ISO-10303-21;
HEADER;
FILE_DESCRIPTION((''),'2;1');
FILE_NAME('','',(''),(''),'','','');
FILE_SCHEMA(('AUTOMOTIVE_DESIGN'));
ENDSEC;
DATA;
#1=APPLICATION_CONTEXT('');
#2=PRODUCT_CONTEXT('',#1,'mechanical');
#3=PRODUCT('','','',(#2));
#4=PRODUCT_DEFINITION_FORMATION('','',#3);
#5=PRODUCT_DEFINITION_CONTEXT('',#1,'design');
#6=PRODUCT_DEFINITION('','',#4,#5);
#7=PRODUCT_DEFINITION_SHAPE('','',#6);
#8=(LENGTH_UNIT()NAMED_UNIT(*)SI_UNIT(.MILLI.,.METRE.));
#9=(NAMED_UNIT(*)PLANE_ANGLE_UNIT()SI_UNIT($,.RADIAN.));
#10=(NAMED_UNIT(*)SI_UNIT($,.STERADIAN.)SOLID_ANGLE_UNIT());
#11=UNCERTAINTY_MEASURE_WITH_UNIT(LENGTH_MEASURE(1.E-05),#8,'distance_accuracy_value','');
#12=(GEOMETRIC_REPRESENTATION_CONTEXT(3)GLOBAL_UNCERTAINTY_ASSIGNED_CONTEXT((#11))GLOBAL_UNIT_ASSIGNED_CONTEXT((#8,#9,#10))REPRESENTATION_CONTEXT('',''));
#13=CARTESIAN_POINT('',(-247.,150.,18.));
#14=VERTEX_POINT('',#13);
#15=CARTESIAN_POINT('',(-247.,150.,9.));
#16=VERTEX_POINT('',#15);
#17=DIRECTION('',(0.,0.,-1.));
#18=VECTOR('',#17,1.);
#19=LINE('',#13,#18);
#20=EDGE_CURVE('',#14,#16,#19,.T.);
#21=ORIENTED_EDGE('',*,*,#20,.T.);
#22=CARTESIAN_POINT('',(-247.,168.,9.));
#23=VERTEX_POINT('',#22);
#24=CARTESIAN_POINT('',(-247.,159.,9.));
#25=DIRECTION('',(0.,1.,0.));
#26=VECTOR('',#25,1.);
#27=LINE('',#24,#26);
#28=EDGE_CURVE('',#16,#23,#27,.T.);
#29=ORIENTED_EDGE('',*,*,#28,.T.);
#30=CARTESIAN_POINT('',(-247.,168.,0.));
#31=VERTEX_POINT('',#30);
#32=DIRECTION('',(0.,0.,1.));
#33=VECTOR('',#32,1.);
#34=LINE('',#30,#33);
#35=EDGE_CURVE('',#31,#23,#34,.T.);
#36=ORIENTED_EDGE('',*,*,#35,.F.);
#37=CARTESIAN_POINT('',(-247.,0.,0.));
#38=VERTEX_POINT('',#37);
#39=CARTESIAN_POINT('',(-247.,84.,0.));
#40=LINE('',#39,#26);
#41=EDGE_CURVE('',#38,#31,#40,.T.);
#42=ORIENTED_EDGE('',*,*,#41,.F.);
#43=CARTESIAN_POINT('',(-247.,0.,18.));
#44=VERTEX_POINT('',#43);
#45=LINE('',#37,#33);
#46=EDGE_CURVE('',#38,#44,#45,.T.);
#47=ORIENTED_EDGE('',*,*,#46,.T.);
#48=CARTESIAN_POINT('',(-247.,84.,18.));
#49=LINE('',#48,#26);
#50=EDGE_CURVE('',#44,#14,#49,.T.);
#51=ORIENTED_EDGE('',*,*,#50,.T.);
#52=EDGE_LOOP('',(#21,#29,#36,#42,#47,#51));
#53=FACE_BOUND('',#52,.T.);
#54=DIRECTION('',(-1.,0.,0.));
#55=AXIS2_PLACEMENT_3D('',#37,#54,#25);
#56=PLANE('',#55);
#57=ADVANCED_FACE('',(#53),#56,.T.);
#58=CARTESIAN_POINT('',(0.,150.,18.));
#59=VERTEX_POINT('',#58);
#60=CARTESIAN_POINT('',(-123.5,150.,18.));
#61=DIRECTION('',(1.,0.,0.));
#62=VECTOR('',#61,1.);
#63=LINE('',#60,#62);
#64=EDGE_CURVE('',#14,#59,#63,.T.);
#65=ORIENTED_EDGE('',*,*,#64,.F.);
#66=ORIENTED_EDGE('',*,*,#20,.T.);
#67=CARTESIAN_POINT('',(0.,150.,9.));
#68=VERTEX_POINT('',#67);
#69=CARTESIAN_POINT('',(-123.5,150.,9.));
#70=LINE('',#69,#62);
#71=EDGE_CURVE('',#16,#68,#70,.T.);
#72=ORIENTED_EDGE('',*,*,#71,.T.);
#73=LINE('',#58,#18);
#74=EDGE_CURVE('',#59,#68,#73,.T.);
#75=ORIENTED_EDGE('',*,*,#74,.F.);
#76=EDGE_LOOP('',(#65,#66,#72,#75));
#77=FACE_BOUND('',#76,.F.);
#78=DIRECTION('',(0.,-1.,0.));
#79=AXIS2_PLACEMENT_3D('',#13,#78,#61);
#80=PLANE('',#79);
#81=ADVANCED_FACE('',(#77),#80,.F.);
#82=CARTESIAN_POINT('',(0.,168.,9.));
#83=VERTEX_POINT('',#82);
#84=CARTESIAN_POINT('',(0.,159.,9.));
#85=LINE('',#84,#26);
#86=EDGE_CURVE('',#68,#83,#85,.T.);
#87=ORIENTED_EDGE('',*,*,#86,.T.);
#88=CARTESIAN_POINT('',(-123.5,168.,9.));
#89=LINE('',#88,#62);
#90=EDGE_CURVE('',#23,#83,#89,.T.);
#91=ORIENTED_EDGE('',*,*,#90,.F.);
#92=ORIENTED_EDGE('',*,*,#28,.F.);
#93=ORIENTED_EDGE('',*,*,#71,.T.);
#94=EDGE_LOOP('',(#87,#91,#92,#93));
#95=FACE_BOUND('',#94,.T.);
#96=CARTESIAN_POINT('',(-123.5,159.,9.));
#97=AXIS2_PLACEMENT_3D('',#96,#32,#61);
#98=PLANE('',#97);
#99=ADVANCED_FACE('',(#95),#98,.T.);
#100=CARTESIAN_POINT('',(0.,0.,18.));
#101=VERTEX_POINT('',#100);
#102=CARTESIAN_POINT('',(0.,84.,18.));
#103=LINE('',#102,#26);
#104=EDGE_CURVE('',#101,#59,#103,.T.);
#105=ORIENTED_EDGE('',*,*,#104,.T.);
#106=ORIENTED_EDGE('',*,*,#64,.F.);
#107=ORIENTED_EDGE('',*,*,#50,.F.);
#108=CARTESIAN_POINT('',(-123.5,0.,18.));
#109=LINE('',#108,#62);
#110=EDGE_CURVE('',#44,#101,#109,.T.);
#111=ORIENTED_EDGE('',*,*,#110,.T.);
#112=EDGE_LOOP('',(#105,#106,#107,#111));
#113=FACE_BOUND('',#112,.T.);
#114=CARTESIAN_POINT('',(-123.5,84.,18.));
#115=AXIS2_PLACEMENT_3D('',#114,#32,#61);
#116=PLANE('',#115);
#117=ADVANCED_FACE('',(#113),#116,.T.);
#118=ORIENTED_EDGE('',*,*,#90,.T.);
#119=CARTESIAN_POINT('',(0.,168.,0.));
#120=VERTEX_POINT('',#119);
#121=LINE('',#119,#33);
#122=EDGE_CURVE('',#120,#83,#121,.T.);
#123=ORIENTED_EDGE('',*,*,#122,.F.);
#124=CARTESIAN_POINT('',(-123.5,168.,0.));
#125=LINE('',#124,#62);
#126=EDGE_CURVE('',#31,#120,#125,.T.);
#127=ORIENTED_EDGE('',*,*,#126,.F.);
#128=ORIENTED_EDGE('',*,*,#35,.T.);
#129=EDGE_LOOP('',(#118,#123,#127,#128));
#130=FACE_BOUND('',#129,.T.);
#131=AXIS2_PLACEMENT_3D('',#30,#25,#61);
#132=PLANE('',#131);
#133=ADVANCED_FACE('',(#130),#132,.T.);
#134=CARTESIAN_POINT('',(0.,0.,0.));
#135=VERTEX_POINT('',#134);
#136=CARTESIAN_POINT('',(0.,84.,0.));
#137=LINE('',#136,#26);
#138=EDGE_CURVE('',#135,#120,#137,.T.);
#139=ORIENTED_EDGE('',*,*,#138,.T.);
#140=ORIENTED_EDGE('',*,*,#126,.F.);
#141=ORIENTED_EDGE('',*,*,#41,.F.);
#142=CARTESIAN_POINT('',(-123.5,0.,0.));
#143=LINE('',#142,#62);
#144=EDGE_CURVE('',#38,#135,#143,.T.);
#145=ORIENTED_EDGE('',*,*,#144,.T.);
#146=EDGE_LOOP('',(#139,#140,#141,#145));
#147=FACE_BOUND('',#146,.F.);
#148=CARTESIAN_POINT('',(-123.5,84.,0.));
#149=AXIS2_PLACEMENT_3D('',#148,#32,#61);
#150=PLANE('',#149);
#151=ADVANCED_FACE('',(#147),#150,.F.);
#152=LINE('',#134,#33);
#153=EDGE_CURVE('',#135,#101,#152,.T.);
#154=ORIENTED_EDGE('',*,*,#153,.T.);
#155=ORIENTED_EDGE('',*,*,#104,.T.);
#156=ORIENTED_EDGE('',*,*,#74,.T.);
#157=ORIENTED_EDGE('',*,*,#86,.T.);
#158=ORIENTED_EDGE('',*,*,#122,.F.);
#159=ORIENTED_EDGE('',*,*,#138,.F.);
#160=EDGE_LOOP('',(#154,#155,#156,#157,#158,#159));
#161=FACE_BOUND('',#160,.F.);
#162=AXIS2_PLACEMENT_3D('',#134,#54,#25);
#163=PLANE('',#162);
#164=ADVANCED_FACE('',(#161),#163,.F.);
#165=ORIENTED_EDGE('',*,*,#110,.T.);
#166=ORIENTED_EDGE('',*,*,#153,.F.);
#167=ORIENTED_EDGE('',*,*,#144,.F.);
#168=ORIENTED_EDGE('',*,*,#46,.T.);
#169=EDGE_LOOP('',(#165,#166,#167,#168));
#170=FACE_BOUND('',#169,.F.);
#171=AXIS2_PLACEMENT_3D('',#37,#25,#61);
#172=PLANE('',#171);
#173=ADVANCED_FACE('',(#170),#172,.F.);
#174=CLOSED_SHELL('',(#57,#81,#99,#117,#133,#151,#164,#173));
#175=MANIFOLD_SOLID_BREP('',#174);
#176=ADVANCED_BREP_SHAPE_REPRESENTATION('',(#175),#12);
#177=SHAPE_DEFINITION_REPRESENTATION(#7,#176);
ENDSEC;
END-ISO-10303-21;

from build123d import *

# Parameters (mm, degrees)
SKETCH_W     = 247
SKETCH_H     = 168
PAD_DEPTH    = 18
SKETCH001_W  = 247
SKETCH001_H  = 18
POCKET_DEPTH = 9


with BuildPart() as part:
    # Sketch → Pad (new body)
    with BuildSketch(Plane.XY):
        with Locations((-123.5, 84)):
            Rectangle(SKETCH_W, SKETCH_H)
    extrude(amount=PAD_DEPTH)

    # Sketch001 (on Face6 of Pad) → Pocket (cut)
    with BuildSketch(Plane.XY.offset(18)):
        with Locations((-123.5, 159)):
            Rectangle(SKETCH001_W, SKETCH001_H)
    extrude(amount=-POCKET_DEPTH, mode=Mode.SUBTRACT)


solid = part.part
